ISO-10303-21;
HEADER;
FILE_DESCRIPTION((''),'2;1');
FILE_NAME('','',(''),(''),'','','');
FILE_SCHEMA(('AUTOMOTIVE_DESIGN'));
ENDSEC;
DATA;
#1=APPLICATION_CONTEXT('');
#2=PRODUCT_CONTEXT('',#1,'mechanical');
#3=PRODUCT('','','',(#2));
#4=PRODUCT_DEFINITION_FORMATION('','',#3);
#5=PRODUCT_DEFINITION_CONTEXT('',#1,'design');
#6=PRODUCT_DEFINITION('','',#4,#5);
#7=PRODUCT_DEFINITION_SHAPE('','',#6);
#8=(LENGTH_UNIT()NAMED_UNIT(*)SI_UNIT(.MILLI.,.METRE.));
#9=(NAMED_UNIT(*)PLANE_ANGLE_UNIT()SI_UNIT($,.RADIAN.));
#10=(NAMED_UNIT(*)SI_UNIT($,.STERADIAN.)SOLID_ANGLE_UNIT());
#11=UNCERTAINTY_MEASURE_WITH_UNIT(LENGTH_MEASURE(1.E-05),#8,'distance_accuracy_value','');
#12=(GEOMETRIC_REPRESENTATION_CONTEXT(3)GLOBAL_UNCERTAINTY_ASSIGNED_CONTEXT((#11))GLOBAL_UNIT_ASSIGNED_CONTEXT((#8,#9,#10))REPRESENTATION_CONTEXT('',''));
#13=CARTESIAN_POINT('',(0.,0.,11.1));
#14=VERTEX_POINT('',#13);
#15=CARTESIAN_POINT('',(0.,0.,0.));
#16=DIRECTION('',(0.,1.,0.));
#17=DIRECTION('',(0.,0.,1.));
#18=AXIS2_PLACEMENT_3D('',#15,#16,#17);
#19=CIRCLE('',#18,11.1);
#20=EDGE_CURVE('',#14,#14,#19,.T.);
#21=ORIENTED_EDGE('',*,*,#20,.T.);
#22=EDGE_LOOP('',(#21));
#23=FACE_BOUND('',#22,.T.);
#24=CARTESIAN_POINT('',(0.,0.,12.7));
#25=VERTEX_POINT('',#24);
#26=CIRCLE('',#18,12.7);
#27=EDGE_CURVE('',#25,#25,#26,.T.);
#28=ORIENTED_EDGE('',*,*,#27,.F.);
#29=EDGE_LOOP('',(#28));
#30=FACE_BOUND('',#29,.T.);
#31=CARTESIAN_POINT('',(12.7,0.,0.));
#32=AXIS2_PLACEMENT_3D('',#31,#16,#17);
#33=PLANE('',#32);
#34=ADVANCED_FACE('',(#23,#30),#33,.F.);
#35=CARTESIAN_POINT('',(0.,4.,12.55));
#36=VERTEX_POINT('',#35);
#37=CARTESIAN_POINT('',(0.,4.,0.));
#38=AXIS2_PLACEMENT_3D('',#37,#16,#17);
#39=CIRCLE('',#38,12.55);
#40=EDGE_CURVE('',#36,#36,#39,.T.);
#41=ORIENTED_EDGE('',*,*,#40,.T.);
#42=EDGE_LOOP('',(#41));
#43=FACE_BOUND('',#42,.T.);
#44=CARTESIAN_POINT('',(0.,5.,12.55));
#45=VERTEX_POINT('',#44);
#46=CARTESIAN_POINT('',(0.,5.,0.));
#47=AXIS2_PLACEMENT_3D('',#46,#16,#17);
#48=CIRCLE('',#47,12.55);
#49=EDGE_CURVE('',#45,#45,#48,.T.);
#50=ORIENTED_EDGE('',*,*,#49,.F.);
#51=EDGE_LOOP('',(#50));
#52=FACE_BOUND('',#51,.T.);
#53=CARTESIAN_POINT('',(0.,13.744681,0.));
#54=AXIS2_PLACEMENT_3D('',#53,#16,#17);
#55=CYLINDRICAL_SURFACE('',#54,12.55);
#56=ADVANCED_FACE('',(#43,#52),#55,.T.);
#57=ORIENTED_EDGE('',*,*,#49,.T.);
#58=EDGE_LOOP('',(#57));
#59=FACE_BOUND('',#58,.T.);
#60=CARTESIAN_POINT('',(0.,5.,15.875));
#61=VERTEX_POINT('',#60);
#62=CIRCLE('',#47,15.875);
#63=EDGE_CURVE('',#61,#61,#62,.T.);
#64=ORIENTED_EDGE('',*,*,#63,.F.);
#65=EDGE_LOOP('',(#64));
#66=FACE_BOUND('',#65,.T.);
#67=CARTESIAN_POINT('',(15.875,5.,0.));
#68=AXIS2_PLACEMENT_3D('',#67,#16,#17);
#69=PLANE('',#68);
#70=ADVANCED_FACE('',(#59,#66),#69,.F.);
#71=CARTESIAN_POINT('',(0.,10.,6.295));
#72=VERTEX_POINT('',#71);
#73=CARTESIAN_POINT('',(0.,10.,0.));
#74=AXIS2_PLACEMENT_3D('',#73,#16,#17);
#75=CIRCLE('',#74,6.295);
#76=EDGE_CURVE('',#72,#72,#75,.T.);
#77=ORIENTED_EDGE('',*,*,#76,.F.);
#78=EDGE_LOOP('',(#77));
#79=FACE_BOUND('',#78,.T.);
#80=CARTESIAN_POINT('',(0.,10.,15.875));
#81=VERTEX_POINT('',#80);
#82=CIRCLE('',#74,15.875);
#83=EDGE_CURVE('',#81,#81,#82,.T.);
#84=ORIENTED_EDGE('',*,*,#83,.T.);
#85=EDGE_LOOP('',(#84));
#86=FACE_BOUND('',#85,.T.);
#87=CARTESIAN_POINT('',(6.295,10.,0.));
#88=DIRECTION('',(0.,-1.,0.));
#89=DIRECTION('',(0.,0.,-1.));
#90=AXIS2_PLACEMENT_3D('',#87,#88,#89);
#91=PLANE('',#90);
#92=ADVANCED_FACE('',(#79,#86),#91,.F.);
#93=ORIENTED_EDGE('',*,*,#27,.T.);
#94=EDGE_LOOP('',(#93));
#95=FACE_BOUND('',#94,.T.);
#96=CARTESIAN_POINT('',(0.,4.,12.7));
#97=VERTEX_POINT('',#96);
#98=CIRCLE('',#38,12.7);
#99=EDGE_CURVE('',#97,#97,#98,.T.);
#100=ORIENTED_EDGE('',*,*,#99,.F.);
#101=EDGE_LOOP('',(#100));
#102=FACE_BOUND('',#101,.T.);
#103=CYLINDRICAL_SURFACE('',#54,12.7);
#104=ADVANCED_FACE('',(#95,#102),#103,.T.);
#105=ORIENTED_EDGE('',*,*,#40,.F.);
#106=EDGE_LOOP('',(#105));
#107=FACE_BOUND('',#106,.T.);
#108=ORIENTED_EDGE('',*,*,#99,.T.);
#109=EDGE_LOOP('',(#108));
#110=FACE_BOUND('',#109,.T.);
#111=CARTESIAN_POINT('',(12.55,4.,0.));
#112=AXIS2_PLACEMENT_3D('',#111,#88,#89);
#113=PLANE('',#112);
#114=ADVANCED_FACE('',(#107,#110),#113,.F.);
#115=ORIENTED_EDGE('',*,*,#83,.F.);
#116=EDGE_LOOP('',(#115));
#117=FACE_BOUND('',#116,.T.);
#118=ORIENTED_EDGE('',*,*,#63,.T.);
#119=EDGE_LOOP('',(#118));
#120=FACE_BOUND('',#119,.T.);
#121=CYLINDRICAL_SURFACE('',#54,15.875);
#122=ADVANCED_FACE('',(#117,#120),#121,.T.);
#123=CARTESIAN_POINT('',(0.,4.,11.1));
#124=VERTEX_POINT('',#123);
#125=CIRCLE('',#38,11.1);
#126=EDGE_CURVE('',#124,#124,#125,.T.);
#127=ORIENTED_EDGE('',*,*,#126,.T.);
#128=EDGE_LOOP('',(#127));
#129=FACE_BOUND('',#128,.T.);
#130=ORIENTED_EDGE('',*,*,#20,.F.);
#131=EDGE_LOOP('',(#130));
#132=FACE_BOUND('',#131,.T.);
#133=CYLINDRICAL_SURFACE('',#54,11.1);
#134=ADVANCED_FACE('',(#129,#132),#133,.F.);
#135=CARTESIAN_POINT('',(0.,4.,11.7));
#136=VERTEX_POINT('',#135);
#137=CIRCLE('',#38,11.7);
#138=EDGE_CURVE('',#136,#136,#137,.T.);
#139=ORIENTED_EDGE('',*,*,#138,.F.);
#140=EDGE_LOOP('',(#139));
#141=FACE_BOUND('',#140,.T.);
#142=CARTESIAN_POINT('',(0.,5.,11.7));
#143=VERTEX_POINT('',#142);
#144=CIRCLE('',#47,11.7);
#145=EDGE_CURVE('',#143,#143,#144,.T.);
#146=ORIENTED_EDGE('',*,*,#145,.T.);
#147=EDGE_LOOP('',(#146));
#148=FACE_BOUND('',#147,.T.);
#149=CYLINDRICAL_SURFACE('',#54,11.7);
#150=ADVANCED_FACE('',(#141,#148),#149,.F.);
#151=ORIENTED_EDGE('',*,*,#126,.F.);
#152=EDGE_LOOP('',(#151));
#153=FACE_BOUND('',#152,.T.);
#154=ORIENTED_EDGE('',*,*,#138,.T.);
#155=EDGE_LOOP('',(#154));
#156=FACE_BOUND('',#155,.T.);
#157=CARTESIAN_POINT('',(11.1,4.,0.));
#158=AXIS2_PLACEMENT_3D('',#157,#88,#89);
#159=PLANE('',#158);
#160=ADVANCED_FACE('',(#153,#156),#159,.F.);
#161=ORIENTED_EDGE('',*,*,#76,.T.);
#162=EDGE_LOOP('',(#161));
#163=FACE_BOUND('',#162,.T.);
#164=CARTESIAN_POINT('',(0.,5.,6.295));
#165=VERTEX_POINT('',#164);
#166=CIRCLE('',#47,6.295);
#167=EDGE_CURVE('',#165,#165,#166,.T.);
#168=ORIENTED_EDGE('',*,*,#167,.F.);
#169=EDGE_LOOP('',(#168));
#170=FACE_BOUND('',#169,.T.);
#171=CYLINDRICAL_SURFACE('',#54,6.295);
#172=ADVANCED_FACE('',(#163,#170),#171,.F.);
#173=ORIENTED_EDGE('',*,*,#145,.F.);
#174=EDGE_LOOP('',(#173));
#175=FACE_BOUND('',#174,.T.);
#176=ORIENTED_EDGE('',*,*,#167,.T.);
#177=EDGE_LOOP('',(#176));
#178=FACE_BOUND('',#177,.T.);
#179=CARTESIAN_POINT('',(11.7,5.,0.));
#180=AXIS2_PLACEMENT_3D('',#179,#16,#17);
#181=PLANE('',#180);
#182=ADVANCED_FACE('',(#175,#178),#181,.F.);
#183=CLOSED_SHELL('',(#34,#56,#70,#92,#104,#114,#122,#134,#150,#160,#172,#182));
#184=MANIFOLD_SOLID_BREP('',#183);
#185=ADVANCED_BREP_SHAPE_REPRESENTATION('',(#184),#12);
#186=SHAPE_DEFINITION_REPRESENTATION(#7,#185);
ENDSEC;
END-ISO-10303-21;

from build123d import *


with BuildPart() as part:
    # 草图1 → 旋转1 (revolve)
    with BuildSketch(Plane.XY, mode=Mode.PRIVATE) as revolve_1_sk:
        Polygon((12.7, 0), (11.1, 0), (11.1, 4), (11.7, 4), (11.7, 5), (6.295, 5), (6.295, 10), (15.875, 10), (15.875, 5), (12.55, 5), (12.55, 4), (12.7, 4), align=None)
    revolve(revolve_1_sk.sketch.rotate(Axis((0, 13.744680851, 0), (0, -1, 0)), 90), axis=Axis((0, 13.744680851, 0), (0, -1, 0)))  # turned: the seam where the file's is


solid = part.part
